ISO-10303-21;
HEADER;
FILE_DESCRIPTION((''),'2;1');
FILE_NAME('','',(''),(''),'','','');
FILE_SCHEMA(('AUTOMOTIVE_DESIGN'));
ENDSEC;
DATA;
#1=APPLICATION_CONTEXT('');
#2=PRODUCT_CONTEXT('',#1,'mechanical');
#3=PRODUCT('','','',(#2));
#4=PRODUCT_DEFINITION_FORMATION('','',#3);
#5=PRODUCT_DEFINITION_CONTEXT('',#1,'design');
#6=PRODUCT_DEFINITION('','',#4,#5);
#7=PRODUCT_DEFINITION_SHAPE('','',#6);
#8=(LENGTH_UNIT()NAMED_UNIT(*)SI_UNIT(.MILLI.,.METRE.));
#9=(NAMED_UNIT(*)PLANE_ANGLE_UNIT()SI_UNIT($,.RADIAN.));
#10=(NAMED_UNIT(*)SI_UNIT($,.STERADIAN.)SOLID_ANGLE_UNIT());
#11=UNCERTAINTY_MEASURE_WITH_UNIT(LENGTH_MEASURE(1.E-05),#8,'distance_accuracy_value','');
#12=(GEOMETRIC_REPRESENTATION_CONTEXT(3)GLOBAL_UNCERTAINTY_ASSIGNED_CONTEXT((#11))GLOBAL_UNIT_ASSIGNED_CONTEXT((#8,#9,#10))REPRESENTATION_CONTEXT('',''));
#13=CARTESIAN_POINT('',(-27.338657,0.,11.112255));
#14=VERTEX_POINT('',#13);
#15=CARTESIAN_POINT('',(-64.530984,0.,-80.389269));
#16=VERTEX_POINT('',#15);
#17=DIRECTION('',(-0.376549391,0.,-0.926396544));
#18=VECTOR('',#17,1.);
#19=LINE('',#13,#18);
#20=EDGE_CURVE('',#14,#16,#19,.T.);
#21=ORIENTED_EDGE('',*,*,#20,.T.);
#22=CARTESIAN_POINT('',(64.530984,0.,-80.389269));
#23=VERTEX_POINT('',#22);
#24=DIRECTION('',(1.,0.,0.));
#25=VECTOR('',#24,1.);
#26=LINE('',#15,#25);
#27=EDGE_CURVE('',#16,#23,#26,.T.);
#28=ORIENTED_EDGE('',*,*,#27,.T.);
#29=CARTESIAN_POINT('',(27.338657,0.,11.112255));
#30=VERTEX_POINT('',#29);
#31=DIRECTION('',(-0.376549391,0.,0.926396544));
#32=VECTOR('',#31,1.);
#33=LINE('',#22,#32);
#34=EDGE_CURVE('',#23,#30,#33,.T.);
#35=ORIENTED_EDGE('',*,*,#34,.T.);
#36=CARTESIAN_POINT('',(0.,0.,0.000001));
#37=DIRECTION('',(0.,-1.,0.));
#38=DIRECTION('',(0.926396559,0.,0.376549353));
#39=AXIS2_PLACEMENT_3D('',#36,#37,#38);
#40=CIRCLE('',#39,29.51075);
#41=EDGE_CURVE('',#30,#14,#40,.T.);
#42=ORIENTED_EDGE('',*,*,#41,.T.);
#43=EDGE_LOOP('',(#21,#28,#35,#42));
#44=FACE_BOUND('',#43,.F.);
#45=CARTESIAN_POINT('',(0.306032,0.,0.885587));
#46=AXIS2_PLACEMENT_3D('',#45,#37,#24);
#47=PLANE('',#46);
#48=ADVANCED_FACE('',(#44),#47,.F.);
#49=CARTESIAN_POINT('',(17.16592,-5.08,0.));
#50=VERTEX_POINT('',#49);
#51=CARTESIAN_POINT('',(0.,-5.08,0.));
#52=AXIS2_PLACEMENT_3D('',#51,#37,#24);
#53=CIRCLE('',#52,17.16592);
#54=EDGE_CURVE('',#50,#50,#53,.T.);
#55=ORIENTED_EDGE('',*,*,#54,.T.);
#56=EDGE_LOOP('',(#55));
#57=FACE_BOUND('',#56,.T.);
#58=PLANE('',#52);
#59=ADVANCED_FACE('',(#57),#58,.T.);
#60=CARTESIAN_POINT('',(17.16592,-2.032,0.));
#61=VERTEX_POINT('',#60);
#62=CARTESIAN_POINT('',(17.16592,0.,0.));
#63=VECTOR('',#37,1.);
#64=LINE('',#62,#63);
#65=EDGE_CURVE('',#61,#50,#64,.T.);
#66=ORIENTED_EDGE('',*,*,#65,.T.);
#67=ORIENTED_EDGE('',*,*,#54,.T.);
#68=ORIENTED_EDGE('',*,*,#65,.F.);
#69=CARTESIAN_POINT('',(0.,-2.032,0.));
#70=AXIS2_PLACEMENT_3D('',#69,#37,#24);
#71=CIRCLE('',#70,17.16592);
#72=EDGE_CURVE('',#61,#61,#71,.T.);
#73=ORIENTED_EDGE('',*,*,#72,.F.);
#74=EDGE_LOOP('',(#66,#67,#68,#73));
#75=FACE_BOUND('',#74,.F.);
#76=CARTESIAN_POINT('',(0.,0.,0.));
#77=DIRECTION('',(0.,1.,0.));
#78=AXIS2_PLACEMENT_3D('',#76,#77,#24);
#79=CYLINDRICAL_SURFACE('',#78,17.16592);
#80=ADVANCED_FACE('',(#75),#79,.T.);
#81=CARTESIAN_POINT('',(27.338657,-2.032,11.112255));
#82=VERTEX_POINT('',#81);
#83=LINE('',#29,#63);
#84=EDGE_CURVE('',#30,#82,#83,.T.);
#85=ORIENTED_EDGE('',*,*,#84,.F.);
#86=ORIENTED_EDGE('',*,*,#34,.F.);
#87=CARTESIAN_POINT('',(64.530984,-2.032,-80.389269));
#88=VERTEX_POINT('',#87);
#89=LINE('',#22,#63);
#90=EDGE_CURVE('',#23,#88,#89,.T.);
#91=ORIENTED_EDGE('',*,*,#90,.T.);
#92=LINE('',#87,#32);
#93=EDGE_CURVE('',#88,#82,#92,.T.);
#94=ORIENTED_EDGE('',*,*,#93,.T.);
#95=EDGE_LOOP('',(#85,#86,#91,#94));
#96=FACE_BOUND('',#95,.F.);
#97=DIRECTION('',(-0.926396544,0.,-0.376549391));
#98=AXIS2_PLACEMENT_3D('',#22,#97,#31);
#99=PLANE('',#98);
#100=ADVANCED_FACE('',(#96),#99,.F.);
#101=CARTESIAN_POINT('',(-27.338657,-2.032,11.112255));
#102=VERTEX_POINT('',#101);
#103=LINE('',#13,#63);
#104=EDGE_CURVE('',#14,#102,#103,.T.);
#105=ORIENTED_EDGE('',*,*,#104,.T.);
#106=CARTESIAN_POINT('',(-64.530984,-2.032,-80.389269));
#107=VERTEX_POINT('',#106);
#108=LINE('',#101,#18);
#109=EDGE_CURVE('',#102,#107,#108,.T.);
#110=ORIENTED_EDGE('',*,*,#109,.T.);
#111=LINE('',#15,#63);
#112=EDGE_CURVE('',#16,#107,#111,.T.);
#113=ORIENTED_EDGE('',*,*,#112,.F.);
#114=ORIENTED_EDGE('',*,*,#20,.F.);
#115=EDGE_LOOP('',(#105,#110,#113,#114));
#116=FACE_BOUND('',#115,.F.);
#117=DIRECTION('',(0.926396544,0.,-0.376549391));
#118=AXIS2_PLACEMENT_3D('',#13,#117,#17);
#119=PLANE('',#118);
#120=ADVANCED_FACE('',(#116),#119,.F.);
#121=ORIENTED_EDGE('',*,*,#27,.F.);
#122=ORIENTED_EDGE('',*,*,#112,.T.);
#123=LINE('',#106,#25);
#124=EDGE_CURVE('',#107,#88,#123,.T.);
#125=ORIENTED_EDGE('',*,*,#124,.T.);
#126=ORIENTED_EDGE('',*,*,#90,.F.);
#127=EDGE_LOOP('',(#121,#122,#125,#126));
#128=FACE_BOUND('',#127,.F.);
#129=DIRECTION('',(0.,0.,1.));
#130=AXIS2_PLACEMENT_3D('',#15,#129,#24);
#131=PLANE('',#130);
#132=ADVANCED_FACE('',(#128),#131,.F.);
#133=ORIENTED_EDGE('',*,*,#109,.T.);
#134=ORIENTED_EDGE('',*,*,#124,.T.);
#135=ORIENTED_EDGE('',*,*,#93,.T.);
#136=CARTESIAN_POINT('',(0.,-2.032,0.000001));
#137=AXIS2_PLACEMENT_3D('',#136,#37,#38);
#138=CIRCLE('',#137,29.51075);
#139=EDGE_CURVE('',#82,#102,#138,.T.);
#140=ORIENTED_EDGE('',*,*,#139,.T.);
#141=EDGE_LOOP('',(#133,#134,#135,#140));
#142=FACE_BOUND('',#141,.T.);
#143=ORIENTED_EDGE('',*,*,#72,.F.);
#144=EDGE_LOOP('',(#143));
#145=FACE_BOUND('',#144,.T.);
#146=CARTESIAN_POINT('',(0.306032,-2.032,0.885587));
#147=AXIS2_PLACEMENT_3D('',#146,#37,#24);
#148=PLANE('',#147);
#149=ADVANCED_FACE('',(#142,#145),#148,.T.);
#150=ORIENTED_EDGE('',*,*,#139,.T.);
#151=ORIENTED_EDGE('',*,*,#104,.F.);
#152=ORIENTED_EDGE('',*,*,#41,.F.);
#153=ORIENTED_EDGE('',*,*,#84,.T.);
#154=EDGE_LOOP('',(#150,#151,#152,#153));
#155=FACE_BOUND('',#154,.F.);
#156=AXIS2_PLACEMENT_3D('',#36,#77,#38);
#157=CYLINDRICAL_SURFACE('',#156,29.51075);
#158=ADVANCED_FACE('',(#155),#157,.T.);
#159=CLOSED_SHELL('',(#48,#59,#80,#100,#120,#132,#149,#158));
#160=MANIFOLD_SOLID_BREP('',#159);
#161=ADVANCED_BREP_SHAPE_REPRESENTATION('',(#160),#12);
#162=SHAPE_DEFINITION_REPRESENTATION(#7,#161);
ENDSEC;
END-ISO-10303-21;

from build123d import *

# Parameters (mm, degrees)
F0_R     = 17.16592
F1_DEPTH = 2.032
F2_DEPTH = 5.08


with BuildPart() as f1:
    # F0 (on Front) → F1 (new body)
    with BuildSketch(Plane.XZ):
        with BuildLine():
            ThreePointArc((-27.338657, 11.112255), (-5.661276, -28.962637), (29.510751, 0))
            ThreePointArc((29.510751, 0), (28.962637, 5.661276), (27.338657, 11.112255))
            ThreePointArc((27.338657, 11.112255), (0, 29.510751), (-27.338657, 11.112255))
        make_face()
        Circle(F0_R, mode=Mode.SUBTRACT)
        with BuildLine():
            ThreePointArc((27.338657, 11.112255), (28.962637, 5.661276), (29.510751, 0))
            ThreePointArc((29.510751, 0), (-5.661276, -28.962637), (-27.338657, 11.112255))
            Line((-27.338657, 11.112255), (-64.530984, -80.389269))
            Line((-64.530984, -80.389269), (64.530984, -80.389269))
            Line((64.530984, -80.389269), (27.338657, 11.112255))
        make_face()
    extrude(amount=F1_DEPTH)

    # F0 (on Front) → F2 (join)
    with BuildSketch(Plane.XZ):
        Circle(F0_R)
    extrude(amount=F2_DEPTH)


solid = f1.part
